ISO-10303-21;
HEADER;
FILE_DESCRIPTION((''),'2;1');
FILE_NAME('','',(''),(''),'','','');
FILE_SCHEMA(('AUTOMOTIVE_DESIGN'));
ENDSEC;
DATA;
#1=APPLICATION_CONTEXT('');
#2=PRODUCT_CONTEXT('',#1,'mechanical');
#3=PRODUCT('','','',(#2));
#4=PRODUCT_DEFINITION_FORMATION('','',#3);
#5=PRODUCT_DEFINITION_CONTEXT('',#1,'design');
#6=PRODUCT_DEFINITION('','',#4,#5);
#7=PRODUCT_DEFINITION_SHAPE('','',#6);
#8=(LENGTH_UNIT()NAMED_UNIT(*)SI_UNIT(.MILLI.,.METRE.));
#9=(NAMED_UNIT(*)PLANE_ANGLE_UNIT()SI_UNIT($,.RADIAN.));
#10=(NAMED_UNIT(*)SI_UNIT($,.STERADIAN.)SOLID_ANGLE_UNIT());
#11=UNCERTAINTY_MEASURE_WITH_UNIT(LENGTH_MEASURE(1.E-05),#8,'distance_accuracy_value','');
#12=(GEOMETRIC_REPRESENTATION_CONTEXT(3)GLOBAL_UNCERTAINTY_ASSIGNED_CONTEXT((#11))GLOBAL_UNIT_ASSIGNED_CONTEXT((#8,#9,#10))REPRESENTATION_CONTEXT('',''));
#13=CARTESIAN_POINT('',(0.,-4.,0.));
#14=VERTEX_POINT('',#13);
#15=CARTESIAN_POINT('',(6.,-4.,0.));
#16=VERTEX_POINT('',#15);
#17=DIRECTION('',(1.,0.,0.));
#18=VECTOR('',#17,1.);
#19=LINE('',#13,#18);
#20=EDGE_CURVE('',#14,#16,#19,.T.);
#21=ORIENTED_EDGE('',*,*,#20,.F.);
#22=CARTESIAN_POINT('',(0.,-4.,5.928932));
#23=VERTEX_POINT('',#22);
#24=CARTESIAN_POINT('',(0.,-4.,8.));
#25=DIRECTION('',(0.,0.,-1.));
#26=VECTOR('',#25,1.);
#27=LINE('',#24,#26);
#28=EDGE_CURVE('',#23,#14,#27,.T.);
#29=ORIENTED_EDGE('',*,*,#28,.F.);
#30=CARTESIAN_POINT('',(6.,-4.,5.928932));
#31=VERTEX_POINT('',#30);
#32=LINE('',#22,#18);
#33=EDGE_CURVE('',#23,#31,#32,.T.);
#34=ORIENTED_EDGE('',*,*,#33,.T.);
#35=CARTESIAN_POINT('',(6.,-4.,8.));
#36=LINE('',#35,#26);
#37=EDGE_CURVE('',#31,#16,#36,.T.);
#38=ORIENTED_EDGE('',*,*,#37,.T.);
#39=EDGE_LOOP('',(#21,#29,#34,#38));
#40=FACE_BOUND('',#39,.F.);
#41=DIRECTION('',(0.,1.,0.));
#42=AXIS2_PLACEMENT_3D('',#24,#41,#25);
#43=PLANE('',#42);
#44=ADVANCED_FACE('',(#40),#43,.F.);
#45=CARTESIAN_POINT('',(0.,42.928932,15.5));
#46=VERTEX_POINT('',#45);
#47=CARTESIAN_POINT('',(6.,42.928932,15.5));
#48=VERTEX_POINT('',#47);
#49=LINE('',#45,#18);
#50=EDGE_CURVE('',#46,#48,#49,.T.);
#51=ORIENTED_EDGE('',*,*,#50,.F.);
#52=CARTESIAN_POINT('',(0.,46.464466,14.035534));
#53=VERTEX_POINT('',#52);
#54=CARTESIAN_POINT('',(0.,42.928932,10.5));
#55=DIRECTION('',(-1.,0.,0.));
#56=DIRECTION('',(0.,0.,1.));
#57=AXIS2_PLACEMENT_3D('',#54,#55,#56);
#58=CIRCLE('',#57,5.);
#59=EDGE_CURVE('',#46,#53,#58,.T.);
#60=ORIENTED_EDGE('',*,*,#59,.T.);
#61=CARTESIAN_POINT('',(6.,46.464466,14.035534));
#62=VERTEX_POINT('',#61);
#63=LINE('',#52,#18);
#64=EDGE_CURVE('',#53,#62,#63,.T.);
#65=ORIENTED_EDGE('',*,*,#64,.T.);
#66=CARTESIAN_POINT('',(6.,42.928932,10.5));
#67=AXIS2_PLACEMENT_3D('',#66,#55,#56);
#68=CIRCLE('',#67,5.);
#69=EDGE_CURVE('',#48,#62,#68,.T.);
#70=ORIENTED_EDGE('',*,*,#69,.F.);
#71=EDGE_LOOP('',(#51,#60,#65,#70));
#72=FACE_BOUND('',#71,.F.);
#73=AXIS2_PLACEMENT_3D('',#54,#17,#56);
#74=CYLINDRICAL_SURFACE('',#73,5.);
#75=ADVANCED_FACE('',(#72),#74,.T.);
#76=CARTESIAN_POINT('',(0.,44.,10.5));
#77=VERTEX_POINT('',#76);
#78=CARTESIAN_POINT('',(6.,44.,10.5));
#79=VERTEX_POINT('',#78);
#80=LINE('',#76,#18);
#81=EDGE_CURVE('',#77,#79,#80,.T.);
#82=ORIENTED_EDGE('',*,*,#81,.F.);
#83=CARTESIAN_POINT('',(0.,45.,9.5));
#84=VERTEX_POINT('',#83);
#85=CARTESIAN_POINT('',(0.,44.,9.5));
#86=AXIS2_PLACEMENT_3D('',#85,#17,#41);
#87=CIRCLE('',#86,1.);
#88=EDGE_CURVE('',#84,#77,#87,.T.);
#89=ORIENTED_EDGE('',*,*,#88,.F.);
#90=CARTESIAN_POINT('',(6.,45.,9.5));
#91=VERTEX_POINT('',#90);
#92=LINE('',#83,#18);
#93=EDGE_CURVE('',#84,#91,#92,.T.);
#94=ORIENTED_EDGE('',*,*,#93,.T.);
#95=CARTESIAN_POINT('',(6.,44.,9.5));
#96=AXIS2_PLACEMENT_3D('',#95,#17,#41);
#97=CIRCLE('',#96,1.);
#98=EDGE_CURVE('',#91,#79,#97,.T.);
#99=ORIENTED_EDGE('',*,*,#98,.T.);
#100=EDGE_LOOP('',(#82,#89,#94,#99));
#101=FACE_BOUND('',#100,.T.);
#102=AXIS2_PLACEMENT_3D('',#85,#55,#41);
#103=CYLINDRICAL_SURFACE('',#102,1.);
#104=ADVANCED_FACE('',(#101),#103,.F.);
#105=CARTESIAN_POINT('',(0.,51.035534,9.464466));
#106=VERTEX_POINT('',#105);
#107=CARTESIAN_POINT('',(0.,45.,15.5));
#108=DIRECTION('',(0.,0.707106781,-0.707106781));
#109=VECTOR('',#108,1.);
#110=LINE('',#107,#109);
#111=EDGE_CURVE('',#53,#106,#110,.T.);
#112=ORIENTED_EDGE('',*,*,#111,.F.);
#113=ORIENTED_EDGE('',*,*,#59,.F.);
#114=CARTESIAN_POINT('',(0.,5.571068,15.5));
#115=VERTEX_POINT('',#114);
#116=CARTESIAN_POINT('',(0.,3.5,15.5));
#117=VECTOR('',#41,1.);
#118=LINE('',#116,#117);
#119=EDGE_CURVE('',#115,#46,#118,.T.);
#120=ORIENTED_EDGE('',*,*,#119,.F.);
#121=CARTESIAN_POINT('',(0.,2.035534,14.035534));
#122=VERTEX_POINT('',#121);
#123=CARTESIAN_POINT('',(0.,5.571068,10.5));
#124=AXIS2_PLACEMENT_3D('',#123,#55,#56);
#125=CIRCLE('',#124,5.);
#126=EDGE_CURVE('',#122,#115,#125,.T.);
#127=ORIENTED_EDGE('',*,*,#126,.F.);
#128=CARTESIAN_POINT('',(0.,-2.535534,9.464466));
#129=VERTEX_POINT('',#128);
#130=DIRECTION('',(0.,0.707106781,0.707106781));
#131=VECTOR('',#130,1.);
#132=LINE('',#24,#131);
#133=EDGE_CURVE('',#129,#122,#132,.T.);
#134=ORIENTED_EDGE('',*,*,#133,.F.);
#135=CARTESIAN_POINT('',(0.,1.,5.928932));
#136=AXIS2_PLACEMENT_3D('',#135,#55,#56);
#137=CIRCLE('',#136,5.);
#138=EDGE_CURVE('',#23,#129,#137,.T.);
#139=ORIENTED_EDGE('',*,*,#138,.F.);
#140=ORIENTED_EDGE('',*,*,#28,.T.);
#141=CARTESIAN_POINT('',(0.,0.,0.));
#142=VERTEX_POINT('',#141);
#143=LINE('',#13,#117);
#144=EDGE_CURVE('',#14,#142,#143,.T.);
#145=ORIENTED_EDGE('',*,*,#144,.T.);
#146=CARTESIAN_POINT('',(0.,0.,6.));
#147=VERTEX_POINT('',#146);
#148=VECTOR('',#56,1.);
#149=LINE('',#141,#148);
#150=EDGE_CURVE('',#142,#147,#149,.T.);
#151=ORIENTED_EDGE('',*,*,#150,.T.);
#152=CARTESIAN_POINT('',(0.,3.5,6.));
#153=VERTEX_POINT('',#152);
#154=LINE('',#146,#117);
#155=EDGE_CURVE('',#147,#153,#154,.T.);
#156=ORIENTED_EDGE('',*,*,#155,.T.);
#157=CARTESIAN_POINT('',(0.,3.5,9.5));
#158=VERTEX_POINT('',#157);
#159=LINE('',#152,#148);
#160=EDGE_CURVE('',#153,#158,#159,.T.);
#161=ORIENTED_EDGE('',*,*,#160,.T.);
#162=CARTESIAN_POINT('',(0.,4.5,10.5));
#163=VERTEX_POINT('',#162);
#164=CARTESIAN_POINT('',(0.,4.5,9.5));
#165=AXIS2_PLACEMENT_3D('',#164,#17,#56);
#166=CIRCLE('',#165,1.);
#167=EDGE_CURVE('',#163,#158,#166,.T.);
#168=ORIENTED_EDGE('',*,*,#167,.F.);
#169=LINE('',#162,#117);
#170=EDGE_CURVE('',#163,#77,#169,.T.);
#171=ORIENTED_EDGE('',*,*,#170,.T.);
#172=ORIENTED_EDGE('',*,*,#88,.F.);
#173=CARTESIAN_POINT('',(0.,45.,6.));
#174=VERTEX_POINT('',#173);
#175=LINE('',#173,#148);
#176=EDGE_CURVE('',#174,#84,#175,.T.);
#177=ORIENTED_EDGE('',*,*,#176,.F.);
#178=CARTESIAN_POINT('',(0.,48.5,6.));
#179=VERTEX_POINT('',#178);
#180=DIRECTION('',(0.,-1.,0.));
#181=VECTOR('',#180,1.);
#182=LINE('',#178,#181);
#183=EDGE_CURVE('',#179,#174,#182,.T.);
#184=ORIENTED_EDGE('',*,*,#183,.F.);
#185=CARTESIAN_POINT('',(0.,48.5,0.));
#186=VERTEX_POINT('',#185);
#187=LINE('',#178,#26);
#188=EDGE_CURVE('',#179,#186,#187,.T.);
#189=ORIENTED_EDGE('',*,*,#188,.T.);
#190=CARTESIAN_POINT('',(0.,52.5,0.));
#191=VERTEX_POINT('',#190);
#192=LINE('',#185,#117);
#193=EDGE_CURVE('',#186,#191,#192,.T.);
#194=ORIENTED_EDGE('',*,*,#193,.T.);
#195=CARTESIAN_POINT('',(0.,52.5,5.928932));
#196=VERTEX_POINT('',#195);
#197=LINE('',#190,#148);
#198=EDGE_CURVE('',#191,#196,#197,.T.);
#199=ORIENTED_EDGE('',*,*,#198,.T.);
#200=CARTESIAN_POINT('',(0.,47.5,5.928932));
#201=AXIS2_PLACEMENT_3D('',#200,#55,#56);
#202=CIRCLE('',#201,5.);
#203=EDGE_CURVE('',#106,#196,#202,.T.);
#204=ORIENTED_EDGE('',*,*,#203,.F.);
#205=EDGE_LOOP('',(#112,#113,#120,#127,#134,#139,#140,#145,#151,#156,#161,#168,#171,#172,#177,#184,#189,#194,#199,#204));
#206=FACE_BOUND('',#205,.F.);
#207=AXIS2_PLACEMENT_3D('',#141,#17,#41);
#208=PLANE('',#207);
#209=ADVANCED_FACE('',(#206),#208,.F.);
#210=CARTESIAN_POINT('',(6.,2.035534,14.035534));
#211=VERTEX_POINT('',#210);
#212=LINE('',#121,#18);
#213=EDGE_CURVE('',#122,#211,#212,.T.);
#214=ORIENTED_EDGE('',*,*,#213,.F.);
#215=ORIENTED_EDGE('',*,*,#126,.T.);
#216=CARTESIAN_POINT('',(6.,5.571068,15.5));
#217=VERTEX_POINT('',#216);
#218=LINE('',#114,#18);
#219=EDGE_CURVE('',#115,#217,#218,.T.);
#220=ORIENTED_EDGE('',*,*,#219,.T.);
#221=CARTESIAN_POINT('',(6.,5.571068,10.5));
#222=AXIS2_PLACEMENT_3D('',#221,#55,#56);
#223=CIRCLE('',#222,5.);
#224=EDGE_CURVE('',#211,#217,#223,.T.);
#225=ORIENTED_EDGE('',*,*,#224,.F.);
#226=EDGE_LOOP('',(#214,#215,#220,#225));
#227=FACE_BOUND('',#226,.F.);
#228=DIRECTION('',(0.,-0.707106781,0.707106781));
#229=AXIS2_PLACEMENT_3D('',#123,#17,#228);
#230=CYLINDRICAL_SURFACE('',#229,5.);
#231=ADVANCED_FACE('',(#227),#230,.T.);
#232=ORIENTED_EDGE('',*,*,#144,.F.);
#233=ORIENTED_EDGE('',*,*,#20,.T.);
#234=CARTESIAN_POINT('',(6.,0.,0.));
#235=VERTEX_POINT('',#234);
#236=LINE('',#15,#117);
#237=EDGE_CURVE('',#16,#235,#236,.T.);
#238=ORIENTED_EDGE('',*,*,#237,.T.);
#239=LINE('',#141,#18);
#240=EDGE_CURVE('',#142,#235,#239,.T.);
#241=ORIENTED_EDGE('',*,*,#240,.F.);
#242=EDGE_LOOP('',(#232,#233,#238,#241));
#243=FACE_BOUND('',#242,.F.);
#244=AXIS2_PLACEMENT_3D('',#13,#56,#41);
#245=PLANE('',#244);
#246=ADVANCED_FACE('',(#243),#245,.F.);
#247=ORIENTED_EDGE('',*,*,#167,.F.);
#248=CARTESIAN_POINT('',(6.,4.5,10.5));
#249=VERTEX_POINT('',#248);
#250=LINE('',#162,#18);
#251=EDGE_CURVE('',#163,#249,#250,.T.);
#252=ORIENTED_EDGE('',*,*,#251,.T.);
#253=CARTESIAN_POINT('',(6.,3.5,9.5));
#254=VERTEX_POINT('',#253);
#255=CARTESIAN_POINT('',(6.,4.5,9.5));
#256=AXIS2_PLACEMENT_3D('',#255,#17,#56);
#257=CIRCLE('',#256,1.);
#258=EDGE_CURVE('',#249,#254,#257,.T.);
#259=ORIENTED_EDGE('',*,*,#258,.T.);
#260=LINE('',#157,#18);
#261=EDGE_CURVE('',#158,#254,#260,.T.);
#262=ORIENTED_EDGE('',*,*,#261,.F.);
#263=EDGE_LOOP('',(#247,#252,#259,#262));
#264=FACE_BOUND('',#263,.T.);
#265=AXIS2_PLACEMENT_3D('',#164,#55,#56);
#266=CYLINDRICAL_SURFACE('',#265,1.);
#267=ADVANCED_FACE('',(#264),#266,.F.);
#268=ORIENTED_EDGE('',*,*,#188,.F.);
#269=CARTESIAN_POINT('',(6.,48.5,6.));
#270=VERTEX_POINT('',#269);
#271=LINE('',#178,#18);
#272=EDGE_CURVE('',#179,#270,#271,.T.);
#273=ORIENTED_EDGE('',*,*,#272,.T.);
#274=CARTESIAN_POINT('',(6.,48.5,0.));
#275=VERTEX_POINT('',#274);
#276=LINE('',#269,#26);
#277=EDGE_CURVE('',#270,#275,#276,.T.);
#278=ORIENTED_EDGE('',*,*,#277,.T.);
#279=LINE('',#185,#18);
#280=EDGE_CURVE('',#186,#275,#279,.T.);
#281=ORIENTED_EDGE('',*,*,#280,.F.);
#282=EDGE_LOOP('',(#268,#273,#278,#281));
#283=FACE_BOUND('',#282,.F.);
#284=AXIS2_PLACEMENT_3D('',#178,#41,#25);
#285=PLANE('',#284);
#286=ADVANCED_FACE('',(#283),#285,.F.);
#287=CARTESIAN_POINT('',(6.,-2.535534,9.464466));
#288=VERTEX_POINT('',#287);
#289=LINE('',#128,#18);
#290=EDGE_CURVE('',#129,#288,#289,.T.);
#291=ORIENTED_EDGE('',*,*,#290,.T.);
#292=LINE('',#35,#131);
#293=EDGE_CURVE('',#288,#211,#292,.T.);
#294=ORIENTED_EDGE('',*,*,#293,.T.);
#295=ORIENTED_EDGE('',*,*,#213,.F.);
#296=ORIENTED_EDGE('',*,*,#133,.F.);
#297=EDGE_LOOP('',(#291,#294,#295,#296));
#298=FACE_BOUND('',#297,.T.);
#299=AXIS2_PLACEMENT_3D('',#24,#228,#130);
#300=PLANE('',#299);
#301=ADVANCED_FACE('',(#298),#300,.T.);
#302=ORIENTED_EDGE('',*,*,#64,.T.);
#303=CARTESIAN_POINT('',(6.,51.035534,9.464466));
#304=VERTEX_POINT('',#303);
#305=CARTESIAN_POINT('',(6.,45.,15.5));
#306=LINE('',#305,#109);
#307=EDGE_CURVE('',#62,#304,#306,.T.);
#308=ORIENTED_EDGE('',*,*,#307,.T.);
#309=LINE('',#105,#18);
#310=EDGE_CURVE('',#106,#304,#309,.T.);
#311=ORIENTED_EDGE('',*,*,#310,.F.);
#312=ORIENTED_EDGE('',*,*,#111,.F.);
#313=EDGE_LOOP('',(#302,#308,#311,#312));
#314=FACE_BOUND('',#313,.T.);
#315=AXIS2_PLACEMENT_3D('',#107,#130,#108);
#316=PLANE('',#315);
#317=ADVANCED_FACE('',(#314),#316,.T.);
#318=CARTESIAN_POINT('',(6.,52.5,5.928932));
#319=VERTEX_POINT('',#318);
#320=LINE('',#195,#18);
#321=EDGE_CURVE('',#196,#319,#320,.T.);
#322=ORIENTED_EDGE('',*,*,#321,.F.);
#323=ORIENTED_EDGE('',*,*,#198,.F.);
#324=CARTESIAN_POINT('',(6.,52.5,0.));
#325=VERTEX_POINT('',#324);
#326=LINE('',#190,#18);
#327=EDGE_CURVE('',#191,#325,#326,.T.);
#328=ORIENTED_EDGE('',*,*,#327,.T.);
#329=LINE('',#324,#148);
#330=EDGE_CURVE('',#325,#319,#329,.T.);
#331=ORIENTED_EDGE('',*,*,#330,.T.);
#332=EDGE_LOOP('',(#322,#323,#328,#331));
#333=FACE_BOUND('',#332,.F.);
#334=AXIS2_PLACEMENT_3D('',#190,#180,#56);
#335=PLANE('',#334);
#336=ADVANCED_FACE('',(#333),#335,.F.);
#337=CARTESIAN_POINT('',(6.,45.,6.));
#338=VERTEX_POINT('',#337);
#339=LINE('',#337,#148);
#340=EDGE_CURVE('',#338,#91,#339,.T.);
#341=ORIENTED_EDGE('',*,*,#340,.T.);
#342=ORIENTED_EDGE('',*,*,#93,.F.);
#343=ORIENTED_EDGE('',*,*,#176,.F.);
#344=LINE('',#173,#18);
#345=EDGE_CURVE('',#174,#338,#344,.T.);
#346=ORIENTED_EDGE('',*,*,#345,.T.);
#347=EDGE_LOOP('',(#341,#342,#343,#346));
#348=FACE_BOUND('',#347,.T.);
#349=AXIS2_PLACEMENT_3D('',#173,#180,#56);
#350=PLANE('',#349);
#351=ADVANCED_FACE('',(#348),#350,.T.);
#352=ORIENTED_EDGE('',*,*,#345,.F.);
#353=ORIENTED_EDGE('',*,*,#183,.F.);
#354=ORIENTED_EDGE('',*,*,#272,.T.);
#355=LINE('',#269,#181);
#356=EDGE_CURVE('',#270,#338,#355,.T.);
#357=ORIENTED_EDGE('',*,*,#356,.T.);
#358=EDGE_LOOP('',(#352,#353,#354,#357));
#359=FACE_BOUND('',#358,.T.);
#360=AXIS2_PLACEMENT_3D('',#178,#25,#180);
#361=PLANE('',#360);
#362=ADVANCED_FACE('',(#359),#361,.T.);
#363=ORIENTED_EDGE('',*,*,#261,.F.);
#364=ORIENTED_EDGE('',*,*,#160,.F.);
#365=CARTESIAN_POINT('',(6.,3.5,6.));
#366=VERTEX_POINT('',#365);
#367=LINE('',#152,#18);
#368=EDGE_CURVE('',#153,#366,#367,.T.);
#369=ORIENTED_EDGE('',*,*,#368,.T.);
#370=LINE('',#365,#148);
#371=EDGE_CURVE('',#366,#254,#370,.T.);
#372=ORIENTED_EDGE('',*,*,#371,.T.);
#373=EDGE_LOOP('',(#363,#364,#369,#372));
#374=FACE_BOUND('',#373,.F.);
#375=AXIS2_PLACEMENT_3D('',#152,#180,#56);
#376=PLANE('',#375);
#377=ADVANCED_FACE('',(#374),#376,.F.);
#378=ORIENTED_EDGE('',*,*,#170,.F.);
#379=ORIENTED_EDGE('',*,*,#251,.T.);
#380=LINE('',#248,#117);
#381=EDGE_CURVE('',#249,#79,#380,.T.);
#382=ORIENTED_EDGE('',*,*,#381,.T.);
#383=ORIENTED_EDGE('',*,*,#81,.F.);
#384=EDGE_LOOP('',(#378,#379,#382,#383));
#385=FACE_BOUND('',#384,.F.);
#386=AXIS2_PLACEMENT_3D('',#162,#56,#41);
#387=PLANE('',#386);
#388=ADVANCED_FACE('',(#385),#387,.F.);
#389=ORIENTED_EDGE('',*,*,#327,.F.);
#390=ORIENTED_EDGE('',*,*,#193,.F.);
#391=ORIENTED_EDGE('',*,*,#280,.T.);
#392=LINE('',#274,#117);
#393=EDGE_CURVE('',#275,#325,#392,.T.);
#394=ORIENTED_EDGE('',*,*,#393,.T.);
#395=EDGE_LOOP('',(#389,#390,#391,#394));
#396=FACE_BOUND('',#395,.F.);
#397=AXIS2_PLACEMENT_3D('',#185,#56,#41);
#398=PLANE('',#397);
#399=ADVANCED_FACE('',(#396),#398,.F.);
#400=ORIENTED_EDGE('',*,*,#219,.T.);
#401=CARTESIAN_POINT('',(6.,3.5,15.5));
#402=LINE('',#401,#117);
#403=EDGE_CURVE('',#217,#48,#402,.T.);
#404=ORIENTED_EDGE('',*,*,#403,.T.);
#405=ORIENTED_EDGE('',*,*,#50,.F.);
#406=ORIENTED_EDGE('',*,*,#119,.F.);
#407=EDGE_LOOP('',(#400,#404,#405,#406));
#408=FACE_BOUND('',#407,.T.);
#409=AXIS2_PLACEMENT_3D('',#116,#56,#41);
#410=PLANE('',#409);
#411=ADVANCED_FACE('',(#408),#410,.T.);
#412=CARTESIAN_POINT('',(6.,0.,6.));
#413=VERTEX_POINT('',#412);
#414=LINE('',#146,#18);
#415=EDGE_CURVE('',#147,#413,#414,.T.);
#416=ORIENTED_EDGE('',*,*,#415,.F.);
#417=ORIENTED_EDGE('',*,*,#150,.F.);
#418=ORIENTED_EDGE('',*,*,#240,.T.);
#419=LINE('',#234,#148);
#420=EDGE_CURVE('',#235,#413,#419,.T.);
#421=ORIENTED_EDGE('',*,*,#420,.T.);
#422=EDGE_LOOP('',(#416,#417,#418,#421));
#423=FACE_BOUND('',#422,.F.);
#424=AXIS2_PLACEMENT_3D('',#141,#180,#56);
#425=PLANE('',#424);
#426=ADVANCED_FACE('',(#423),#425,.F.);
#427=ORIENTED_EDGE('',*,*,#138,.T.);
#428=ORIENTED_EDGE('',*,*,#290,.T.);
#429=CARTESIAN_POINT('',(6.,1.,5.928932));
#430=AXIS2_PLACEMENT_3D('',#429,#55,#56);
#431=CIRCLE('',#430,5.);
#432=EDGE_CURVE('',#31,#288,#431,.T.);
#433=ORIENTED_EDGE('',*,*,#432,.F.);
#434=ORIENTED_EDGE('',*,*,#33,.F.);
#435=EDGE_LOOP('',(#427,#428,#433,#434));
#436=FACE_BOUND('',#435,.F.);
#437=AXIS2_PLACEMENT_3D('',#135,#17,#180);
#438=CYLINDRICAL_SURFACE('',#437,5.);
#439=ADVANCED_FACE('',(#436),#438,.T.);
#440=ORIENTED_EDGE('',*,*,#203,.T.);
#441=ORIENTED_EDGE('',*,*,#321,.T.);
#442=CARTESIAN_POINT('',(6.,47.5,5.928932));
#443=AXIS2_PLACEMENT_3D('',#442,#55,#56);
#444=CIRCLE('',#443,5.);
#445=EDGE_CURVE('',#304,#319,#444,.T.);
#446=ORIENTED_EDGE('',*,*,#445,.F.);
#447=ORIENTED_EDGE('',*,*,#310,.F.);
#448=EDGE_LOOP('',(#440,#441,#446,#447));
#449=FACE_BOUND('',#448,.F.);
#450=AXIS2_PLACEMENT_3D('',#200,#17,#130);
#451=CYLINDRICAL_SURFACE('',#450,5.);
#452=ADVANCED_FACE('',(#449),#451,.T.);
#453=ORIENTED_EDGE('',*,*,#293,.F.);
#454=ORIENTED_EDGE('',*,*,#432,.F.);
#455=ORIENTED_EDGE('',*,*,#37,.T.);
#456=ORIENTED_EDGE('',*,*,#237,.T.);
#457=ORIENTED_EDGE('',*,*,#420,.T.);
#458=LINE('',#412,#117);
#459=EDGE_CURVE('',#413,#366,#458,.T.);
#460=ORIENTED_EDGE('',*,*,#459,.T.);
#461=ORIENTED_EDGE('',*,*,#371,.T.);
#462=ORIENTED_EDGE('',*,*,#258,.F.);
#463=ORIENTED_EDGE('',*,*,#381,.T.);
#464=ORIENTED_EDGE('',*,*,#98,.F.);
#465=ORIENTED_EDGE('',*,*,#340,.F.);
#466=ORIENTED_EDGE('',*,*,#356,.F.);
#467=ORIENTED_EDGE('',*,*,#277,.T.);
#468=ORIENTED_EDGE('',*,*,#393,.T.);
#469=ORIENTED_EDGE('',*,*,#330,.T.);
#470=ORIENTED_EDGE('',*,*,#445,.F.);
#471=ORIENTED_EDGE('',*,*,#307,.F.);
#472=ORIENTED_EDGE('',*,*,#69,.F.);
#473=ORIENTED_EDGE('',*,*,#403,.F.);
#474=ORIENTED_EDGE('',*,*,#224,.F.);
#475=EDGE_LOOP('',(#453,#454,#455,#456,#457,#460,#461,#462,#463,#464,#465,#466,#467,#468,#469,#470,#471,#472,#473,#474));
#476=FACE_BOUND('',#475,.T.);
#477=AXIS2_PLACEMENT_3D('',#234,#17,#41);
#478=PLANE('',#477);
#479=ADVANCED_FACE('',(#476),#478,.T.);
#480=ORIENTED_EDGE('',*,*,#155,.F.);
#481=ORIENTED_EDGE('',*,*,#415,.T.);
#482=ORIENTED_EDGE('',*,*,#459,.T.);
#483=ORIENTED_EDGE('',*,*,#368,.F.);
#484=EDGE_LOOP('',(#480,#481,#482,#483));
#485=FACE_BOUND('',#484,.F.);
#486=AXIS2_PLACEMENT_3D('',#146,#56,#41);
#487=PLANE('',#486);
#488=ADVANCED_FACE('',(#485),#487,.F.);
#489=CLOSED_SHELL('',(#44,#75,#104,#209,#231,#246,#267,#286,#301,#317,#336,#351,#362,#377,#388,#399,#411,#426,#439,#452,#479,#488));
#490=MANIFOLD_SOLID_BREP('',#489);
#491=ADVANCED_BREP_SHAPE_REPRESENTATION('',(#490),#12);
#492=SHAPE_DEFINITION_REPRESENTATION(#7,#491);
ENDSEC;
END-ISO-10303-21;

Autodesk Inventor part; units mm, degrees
ref_plane "YZ Plane" through (0, 0, 0) normal (1, 0, 0) x (0, 1, 0)
ref_plane "XZ Plane" through (0, 0, 0) normal (0, 1, 0) x (-1, 0, 0)
ref_plane "XY Plane" through (0, 0, 0) normal (0, 0, 1) x (1, 0, 0)
sketch "Sketch1" plane through (0, 0, 0) normal (1, 0, 0) x (0, 1, 0)
  line L0 (48.5, 0) -> (52.5, 0)
  line L1 (52.5, 0) -> (52.5, 8)
  line L2 (-4, 8) -> (-4, 0)
  line L3 (-4, 0) -> (0, 0)
  line L4 (0, 0) -> (0, 6)
  line L5 (4.5, 10.5) -> (44, 10.5)
  line L6 (48.5, 6) -> (48.5, 0)
  line L7 (3.5, 15.5) -> (45, 15.5)
  line L8 (45, 15.5) -> (52.5, 8)
  line L9 (-4, 8) -> (3.5, 15.5)
  line L10 (48.5, 6) -> (45, 6)
  line L11 (45, 6) -> (45, 9.5)
  line L12 (0, 6) -> (3.5, 6)
  line L13 (3.5, 6) -> (3.5, 9.5)
  arc A0 (45, 9.5) -> (44, 10.5) centre (44, 9.5) ccw
  arc A1 (4.5, 10.5) -> (3.5, 9.5) centre (4.5, 9.5) ccw
  point P0 (0, 0)
  point P1 (24.25, 15.5)
  point P2 (24.25, 10.5)
  dimension "d4" = 48.5
  dimension "d31" = 5
  dimension "d37" = 4
  dimension "d46" = 3.5
  dimension "d48" = 1
  dimension "d50" = 8
  dimension "d51" = 4.5
  dimension "d52" = 6
extrude "Extrusion1" add sketch "Sketch1" along normal blind 6
fillet "Fillet1" radius 5 4 edges at (3, 3.5, 15.5) (3, 45, 15.5) (3, 52.5, 8) (3, -4, 8)
equation "\"d4\" = ServoMount"
equation "\"ServoMountLength\" = 48.5"
equation "\"ServoMount\" = 48.5"
properties part number "27080914ServoMount"
